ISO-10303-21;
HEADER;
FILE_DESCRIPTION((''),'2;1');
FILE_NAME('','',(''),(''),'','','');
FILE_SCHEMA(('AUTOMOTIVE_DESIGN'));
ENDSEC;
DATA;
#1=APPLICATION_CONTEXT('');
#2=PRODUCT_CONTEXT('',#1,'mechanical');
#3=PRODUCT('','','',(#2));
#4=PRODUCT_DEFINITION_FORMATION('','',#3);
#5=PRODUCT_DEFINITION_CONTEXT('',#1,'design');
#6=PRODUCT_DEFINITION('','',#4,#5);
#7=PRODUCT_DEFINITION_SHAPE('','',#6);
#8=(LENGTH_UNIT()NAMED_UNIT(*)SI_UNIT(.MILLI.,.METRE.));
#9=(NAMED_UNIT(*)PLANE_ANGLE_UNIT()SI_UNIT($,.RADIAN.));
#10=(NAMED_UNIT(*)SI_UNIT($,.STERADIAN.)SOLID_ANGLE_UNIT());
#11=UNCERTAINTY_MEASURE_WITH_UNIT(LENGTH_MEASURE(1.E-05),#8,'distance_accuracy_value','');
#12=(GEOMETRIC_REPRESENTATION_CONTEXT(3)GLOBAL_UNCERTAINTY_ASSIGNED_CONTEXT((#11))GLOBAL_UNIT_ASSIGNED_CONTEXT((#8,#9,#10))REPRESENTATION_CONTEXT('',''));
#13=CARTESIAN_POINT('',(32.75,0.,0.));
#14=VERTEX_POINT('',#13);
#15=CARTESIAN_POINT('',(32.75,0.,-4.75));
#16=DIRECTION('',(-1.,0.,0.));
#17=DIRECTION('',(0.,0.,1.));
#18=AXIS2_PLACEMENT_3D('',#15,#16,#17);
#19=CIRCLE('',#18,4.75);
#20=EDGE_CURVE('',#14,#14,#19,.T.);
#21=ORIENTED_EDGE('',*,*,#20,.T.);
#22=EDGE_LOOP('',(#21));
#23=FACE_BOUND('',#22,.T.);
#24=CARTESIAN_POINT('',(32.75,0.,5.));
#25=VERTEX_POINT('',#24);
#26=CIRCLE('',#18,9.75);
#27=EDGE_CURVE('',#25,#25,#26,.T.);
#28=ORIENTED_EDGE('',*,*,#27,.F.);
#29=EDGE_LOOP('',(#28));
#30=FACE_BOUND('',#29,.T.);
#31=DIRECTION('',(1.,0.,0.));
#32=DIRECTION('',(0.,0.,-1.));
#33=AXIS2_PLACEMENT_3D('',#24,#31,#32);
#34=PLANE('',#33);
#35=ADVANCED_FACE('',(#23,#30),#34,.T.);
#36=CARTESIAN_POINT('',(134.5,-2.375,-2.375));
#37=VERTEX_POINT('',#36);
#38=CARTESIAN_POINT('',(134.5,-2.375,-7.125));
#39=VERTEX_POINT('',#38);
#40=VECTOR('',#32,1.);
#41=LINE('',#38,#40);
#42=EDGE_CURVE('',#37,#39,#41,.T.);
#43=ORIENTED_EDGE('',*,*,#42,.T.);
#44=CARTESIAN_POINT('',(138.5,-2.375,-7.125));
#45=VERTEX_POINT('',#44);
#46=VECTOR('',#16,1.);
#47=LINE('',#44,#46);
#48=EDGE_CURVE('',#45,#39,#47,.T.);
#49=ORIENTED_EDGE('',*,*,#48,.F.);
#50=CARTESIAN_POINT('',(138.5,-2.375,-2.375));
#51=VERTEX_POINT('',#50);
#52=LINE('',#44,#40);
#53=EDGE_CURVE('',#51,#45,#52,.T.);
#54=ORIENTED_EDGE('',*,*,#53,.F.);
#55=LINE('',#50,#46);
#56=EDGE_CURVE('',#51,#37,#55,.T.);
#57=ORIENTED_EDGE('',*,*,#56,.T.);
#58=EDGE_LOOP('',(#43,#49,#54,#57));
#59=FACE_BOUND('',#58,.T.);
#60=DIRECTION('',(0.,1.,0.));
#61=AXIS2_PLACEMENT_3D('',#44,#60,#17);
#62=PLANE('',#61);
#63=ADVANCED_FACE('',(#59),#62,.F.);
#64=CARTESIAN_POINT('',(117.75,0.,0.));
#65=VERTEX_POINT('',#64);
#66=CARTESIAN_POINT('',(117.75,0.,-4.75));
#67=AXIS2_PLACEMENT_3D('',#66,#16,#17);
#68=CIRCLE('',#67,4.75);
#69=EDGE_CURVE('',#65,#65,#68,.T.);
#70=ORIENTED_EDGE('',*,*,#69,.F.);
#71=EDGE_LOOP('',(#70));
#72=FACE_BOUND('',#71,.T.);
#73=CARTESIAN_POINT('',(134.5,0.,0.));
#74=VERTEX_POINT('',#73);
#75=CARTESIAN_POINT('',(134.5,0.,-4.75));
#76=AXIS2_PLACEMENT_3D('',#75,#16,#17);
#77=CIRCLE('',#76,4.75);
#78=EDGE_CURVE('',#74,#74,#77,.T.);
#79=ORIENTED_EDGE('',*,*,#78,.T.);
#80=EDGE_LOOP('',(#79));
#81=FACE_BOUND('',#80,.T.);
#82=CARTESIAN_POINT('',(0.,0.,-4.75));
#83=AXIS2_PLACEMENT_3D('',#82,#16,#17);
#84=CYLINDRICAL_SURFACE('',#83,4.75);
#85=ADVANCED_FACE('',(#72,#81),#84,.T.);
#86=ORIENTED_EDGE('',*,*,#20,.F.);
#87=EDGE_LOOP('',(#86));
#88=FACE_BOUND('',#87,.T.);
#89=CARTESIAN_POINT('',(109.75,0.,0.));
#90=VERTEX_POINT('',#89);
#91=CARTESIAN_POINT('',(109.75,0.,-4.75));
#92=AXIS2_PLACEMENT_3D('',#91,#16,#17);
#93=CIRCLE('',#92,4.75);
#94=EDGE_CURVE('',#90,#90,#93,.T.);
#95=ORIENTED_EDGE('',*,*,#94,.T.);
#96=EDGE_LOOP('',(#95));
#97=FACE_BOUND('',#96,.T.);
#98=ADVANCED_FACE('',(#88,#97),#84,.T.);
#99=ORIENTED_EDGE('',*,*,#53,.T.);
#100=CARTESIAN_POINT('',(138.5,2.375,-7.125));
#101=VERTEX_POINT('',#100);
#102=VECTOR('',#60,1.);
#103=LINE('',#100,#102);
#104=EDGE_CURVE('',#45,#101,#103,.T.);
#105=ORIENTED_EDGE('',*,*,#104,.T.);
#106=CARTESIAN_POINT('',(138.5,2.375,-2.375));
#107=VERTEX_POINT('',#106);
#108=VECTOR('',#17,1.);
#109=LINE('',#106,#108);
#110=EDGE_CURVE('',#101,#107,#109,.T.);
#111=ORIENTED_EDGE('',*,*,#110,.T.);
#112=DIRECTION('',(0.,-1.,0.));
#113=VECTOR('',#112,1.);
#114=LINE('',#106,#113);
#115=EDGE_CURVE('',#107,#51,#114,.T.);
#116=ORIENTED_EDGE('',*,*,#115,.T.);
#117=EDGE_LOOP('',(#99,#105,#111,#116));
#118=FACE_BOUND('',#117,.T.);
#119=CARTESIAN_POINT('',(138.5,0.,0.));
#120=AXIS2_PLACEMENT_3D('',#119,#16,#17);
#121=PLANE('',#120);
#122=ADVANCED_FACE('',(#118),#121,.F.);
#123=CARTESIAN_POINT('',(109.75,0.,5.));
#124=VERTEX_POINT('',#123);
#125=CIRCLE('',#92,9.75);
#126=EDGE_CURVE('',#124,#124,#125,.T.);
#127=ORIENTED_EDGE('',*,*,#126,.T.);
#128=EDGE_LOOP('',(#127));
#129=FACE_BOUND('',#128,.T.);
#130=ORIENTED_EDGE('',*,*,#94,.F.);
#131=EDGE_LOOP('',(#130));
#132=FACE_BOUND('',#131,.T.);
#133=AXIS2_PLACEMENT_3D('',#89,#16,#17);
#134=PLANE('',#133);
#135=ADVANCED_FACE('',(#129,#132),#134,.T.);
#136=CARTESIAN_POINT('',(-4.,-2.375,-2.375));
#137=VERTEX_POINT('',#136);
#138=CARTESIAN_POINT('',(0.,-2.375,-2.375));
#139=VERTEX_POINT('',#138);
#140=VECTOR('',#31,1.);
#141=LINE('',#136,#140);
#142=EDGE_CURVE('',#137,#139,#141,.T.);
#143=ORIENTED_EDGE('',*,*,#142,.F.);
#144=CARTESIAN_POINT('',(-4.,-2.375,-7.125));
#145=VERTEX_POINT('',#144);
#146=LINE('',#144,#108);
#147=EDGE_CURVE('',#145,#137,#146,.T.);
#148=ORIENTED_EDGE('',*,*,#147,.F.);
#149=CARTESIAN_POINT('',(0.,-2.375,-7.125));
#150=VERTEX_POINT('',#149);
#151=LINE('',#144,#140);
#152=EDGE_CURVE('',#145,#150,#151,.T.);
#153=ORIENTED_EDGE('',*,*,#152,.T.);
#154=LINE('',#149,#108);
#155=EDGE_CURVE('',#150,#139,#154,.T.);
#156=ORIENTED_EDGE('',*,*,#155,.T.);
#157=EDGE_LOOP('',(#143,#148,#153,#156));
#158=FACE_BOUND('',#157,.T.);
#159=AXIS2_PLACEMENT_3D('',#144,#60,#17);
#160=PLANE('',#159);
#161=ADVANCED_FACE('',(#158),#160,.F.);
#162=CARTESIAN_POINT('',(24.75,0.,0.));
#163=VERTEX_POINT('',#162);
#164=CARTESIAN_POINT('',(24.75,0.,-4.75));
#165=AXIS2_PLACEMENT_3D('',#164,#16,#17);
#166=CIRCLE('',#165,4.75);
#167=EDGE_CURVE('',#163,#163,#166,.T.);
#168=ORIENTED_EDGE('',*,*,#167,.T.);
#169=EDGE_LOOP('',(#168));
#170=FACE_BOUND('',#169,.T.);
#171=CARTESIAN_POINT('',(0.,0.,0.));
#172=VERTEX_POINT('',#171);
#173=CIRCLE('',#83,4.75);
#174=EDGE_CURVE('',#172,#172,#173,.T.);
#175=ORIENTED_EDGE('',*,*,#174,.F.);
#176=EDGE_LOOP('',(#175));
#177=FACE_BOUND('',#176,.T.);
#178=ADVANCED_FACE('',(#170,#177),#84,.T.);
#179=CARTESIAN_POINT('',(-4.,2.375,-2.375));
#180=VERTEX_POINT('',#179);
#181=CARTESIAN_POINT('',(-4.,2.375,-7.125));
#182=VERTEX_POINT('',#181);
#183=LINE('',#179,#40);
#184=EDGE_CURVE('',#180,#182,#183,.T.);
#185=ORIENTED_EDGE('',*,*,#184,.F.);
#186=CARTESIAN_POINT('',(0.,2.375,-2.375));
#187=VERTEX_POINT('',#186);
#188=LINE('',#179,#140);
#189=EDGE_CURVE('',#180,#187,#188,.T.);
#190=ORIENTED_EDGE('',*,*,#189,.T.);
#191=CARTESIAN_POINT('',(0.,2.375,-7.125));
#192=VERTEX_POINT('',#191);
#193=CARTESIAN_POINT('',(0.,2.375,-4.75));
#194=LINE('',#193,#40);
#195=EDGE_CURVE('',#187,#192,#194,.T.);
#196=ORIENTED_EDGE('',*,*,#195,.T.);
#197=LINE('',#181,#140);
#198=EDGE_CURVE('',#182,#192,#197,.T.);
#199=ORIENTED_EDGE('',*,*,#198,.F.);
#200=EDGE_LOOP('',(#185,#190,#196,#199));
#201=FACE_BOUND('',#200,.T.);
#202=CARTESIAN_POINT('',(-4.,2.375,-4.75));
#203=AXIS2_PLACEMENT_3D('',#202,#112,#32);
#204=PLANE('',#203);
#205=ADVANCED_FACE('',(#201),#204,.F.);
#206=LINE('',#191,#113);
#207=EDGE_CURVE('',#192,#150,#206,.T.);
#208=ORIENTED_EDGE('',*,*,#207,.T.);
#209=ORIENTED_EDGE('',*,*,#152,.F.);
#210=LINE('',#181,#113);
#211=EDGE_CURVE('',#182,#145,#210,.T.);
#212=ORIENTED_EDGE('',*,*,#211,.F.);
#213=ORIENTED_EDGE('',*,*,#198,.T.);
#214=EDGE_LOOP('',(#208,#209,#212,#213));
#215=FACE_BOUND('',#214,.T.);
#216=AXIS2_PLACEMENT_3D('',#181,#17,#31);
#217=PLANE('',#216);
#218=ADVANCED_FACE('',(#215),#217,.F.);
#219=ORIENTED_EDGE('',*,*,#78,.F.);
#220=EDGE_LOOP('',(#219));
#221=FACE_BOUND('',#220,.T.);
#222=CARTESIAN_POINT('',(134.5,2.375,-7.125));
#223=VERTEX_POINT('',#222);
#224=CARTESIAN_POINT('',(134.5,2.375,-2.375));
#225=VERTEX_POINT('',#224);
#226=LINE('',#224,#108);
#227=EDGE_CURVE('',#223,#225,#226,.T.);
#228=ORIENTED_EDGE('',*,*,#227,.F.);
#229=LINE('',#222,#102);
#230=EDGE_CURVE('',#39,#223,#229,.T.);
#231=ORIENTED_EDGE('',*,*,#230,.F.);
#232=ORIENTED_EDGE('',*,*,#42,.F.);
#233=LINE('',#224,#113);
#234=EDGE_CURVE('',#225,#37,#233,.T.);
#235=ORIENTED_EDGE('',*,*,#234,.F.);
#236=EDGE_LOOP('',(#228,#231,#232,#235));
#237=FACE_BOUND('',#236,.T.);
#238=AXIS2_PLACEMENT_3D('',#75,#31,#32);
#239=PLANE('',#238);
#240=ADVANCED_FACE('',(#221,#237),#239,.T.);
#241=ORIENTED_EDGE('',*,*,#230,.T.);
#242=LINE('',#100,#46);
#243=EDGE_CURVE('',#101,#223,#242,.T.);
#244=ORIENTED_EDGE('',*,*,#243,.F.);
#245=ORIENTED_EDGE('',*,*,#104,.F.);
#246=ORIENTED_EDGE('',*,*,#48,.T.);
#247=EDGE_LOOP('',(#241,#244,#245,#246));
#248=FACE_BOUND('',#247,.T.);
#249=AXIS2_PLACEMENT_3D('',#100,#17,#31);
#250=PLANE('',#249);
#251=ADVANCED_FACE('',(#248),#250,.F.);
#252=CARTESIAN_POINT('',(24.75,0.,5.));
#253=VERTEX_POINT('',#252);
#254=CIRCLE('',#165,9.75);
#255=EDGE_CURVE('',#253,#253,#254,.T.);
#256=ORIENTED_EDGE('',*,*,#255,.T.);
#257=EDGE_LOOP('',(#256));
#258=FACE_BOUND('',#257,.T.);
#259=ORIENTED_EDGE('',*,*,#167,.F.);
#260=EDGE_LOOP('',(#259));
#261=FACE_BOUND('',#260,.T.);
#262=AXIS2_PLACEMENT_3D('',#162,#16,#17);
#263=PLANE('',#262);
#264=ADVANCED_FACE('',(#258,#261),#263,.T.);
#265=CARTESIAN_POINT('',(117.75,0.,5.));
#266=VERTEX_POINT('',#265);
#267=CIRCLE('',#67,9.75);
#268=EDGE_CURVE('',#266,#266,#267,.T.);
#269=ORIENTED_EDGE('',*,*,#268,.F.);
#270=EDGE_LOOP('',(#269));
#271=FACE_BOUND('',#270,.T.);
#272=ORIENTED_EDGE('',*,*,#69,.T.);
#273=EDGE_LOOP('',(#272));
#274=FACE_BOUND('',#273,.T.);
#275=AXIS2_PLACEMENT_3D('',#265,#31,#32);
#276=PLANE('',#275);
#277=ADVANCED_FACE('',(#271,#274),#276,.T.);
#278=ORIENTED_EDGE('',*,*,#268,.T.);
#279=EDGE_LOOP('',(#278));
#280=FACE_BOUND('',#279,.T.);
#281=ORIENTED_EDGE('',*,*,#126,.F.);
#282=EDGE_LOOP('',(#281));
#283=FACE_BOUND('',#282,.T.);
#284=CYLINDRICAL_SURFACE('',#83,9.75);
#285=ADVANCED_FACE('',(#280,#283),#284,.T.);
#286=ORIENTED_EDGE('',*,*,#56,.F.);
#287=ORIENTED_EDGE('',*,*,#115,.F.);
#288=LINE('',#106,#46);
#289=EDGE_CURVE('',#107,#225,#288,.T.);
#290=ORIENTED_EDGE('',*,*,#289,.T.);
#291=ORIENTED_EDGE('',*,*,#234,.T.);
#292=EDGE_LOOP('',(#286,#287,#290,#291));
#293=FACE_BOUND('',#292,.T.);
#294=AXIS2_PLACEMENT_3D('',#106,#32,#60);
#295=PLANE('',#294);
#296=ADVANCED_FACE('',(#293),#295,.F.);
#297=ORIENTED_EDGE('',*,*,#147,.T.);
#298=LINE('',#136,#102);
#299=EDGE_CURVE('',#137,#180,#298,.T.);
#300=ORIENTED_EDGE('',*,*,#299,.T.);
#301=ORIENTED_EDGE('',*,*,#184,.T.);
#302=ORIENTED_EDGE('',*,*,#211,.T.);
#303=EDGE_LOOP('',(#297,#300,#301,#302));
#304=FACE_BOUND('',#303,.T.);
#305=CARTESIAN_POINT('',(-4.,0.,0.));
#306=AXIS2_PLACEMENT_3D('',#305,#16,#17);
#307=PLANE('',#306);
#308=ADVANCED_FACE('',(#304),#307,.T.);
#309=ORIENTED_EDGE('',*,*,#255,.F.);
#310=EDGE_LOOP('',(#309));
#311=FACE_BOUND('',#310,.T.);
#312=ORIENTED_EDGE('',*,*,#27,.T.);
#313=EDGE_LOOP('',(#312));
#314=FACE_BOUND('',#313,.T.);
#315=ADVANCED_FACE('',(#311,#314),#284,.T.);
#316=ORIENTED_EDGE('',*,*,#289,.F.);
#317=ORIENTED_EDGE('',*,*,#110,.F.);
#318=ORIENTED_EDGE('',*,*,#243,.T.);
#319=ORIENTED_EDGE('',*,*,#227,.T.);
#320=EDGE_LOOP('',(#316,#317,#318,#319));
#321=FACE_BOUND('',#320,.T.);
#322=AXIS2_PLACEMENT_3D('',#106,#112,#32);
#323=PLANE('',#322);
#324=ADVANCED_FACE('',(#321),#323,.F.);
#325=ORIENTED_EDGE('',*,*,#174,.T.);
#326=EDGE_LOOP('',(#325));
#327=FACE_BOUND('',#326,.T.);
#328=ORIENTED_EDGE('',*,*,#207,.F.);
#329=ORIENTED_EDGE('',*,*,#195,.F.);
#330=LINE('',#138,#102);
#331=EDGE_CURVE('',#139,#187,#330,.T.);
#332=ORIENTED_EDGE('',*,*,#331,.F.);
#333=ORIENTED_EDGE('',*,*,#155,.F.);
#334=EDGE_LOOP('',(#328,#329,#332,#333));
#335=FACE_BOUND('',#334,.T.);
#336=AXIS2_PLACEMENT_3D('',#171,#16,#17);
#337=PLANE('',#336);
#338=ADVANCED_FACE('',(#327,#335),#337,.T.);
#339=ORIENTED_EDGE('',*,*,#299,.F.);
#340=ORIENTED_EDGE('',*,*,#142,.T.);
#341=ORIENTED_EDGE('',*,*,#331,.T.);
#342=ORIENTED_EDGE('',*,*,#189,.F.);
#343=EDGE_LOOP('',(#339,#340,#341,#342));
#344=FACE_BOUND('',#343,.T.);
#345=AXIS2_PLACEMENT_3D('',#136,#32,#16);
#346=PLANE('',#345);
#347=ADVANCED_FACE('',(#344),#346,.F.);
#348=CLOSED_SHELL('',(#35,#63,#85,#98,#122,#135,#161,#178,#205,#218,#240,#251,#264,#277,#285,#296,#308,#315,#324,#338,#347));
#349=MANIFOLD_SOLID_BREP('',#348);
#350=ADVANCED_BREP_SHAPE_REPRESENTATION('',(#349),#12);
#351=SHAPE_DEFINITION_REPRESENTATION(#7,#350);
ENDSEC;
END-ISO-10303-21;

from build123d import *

# Parameters (mm, degrees)
ESQUISSE5_W        = 4.75
ESQUISSE5_H        = 4.75
BOSS_EXTRU_3_DEPTH = 4
BOSS_EXTRU_4_DEPTH = 4


with BuildPart() as part:
    # Esquisse1 → Révolution1 (revolve)
    with BuildSketch(Plane(origin=(0, 0, 0), x_dir=(1, 0, 0), z_dir=(0, 1, 0))):
        Polygon((0, 0), (0, 4.75), (134.5, 4.75), (134.5, 0), (117.75, 0), (117.75, -5), (109.75, -5), (109.75, 0), (32.75, 0), (32.75, -5), (24.75, -5), (24.75, 0), align=None)
    revolve(axis=Axis((0, 0, -4.75), (1, 0, 0)))

    # Esquisse5 → Boss.-Extru.3 (add)
    with BuildSketch(Plane(origin=(134.5, 0, 0), x_dir=(0, 0, -1), z_dir=(1, 0, 0))):
        with Locations((4.75, 0)):
            Rectangle(ESQUISSE5_W, ESQUISSE5_H)
    extrude(amount=BOSS_EXTRU_3_DEPTH)

    # Esquisse6 → Boss.-Extru.4 (add)
    with BuildSketch(Plane.ZY):
        Polygon((-4.75, 2.375), (-7.125, 2.375), (-7.125, -2.375), (-2.375, -2.375), (-2.375, 2.375), align=None)
    extrude(amount=BOSS_EXTRU_4_DEPTH)


solid = part.part
